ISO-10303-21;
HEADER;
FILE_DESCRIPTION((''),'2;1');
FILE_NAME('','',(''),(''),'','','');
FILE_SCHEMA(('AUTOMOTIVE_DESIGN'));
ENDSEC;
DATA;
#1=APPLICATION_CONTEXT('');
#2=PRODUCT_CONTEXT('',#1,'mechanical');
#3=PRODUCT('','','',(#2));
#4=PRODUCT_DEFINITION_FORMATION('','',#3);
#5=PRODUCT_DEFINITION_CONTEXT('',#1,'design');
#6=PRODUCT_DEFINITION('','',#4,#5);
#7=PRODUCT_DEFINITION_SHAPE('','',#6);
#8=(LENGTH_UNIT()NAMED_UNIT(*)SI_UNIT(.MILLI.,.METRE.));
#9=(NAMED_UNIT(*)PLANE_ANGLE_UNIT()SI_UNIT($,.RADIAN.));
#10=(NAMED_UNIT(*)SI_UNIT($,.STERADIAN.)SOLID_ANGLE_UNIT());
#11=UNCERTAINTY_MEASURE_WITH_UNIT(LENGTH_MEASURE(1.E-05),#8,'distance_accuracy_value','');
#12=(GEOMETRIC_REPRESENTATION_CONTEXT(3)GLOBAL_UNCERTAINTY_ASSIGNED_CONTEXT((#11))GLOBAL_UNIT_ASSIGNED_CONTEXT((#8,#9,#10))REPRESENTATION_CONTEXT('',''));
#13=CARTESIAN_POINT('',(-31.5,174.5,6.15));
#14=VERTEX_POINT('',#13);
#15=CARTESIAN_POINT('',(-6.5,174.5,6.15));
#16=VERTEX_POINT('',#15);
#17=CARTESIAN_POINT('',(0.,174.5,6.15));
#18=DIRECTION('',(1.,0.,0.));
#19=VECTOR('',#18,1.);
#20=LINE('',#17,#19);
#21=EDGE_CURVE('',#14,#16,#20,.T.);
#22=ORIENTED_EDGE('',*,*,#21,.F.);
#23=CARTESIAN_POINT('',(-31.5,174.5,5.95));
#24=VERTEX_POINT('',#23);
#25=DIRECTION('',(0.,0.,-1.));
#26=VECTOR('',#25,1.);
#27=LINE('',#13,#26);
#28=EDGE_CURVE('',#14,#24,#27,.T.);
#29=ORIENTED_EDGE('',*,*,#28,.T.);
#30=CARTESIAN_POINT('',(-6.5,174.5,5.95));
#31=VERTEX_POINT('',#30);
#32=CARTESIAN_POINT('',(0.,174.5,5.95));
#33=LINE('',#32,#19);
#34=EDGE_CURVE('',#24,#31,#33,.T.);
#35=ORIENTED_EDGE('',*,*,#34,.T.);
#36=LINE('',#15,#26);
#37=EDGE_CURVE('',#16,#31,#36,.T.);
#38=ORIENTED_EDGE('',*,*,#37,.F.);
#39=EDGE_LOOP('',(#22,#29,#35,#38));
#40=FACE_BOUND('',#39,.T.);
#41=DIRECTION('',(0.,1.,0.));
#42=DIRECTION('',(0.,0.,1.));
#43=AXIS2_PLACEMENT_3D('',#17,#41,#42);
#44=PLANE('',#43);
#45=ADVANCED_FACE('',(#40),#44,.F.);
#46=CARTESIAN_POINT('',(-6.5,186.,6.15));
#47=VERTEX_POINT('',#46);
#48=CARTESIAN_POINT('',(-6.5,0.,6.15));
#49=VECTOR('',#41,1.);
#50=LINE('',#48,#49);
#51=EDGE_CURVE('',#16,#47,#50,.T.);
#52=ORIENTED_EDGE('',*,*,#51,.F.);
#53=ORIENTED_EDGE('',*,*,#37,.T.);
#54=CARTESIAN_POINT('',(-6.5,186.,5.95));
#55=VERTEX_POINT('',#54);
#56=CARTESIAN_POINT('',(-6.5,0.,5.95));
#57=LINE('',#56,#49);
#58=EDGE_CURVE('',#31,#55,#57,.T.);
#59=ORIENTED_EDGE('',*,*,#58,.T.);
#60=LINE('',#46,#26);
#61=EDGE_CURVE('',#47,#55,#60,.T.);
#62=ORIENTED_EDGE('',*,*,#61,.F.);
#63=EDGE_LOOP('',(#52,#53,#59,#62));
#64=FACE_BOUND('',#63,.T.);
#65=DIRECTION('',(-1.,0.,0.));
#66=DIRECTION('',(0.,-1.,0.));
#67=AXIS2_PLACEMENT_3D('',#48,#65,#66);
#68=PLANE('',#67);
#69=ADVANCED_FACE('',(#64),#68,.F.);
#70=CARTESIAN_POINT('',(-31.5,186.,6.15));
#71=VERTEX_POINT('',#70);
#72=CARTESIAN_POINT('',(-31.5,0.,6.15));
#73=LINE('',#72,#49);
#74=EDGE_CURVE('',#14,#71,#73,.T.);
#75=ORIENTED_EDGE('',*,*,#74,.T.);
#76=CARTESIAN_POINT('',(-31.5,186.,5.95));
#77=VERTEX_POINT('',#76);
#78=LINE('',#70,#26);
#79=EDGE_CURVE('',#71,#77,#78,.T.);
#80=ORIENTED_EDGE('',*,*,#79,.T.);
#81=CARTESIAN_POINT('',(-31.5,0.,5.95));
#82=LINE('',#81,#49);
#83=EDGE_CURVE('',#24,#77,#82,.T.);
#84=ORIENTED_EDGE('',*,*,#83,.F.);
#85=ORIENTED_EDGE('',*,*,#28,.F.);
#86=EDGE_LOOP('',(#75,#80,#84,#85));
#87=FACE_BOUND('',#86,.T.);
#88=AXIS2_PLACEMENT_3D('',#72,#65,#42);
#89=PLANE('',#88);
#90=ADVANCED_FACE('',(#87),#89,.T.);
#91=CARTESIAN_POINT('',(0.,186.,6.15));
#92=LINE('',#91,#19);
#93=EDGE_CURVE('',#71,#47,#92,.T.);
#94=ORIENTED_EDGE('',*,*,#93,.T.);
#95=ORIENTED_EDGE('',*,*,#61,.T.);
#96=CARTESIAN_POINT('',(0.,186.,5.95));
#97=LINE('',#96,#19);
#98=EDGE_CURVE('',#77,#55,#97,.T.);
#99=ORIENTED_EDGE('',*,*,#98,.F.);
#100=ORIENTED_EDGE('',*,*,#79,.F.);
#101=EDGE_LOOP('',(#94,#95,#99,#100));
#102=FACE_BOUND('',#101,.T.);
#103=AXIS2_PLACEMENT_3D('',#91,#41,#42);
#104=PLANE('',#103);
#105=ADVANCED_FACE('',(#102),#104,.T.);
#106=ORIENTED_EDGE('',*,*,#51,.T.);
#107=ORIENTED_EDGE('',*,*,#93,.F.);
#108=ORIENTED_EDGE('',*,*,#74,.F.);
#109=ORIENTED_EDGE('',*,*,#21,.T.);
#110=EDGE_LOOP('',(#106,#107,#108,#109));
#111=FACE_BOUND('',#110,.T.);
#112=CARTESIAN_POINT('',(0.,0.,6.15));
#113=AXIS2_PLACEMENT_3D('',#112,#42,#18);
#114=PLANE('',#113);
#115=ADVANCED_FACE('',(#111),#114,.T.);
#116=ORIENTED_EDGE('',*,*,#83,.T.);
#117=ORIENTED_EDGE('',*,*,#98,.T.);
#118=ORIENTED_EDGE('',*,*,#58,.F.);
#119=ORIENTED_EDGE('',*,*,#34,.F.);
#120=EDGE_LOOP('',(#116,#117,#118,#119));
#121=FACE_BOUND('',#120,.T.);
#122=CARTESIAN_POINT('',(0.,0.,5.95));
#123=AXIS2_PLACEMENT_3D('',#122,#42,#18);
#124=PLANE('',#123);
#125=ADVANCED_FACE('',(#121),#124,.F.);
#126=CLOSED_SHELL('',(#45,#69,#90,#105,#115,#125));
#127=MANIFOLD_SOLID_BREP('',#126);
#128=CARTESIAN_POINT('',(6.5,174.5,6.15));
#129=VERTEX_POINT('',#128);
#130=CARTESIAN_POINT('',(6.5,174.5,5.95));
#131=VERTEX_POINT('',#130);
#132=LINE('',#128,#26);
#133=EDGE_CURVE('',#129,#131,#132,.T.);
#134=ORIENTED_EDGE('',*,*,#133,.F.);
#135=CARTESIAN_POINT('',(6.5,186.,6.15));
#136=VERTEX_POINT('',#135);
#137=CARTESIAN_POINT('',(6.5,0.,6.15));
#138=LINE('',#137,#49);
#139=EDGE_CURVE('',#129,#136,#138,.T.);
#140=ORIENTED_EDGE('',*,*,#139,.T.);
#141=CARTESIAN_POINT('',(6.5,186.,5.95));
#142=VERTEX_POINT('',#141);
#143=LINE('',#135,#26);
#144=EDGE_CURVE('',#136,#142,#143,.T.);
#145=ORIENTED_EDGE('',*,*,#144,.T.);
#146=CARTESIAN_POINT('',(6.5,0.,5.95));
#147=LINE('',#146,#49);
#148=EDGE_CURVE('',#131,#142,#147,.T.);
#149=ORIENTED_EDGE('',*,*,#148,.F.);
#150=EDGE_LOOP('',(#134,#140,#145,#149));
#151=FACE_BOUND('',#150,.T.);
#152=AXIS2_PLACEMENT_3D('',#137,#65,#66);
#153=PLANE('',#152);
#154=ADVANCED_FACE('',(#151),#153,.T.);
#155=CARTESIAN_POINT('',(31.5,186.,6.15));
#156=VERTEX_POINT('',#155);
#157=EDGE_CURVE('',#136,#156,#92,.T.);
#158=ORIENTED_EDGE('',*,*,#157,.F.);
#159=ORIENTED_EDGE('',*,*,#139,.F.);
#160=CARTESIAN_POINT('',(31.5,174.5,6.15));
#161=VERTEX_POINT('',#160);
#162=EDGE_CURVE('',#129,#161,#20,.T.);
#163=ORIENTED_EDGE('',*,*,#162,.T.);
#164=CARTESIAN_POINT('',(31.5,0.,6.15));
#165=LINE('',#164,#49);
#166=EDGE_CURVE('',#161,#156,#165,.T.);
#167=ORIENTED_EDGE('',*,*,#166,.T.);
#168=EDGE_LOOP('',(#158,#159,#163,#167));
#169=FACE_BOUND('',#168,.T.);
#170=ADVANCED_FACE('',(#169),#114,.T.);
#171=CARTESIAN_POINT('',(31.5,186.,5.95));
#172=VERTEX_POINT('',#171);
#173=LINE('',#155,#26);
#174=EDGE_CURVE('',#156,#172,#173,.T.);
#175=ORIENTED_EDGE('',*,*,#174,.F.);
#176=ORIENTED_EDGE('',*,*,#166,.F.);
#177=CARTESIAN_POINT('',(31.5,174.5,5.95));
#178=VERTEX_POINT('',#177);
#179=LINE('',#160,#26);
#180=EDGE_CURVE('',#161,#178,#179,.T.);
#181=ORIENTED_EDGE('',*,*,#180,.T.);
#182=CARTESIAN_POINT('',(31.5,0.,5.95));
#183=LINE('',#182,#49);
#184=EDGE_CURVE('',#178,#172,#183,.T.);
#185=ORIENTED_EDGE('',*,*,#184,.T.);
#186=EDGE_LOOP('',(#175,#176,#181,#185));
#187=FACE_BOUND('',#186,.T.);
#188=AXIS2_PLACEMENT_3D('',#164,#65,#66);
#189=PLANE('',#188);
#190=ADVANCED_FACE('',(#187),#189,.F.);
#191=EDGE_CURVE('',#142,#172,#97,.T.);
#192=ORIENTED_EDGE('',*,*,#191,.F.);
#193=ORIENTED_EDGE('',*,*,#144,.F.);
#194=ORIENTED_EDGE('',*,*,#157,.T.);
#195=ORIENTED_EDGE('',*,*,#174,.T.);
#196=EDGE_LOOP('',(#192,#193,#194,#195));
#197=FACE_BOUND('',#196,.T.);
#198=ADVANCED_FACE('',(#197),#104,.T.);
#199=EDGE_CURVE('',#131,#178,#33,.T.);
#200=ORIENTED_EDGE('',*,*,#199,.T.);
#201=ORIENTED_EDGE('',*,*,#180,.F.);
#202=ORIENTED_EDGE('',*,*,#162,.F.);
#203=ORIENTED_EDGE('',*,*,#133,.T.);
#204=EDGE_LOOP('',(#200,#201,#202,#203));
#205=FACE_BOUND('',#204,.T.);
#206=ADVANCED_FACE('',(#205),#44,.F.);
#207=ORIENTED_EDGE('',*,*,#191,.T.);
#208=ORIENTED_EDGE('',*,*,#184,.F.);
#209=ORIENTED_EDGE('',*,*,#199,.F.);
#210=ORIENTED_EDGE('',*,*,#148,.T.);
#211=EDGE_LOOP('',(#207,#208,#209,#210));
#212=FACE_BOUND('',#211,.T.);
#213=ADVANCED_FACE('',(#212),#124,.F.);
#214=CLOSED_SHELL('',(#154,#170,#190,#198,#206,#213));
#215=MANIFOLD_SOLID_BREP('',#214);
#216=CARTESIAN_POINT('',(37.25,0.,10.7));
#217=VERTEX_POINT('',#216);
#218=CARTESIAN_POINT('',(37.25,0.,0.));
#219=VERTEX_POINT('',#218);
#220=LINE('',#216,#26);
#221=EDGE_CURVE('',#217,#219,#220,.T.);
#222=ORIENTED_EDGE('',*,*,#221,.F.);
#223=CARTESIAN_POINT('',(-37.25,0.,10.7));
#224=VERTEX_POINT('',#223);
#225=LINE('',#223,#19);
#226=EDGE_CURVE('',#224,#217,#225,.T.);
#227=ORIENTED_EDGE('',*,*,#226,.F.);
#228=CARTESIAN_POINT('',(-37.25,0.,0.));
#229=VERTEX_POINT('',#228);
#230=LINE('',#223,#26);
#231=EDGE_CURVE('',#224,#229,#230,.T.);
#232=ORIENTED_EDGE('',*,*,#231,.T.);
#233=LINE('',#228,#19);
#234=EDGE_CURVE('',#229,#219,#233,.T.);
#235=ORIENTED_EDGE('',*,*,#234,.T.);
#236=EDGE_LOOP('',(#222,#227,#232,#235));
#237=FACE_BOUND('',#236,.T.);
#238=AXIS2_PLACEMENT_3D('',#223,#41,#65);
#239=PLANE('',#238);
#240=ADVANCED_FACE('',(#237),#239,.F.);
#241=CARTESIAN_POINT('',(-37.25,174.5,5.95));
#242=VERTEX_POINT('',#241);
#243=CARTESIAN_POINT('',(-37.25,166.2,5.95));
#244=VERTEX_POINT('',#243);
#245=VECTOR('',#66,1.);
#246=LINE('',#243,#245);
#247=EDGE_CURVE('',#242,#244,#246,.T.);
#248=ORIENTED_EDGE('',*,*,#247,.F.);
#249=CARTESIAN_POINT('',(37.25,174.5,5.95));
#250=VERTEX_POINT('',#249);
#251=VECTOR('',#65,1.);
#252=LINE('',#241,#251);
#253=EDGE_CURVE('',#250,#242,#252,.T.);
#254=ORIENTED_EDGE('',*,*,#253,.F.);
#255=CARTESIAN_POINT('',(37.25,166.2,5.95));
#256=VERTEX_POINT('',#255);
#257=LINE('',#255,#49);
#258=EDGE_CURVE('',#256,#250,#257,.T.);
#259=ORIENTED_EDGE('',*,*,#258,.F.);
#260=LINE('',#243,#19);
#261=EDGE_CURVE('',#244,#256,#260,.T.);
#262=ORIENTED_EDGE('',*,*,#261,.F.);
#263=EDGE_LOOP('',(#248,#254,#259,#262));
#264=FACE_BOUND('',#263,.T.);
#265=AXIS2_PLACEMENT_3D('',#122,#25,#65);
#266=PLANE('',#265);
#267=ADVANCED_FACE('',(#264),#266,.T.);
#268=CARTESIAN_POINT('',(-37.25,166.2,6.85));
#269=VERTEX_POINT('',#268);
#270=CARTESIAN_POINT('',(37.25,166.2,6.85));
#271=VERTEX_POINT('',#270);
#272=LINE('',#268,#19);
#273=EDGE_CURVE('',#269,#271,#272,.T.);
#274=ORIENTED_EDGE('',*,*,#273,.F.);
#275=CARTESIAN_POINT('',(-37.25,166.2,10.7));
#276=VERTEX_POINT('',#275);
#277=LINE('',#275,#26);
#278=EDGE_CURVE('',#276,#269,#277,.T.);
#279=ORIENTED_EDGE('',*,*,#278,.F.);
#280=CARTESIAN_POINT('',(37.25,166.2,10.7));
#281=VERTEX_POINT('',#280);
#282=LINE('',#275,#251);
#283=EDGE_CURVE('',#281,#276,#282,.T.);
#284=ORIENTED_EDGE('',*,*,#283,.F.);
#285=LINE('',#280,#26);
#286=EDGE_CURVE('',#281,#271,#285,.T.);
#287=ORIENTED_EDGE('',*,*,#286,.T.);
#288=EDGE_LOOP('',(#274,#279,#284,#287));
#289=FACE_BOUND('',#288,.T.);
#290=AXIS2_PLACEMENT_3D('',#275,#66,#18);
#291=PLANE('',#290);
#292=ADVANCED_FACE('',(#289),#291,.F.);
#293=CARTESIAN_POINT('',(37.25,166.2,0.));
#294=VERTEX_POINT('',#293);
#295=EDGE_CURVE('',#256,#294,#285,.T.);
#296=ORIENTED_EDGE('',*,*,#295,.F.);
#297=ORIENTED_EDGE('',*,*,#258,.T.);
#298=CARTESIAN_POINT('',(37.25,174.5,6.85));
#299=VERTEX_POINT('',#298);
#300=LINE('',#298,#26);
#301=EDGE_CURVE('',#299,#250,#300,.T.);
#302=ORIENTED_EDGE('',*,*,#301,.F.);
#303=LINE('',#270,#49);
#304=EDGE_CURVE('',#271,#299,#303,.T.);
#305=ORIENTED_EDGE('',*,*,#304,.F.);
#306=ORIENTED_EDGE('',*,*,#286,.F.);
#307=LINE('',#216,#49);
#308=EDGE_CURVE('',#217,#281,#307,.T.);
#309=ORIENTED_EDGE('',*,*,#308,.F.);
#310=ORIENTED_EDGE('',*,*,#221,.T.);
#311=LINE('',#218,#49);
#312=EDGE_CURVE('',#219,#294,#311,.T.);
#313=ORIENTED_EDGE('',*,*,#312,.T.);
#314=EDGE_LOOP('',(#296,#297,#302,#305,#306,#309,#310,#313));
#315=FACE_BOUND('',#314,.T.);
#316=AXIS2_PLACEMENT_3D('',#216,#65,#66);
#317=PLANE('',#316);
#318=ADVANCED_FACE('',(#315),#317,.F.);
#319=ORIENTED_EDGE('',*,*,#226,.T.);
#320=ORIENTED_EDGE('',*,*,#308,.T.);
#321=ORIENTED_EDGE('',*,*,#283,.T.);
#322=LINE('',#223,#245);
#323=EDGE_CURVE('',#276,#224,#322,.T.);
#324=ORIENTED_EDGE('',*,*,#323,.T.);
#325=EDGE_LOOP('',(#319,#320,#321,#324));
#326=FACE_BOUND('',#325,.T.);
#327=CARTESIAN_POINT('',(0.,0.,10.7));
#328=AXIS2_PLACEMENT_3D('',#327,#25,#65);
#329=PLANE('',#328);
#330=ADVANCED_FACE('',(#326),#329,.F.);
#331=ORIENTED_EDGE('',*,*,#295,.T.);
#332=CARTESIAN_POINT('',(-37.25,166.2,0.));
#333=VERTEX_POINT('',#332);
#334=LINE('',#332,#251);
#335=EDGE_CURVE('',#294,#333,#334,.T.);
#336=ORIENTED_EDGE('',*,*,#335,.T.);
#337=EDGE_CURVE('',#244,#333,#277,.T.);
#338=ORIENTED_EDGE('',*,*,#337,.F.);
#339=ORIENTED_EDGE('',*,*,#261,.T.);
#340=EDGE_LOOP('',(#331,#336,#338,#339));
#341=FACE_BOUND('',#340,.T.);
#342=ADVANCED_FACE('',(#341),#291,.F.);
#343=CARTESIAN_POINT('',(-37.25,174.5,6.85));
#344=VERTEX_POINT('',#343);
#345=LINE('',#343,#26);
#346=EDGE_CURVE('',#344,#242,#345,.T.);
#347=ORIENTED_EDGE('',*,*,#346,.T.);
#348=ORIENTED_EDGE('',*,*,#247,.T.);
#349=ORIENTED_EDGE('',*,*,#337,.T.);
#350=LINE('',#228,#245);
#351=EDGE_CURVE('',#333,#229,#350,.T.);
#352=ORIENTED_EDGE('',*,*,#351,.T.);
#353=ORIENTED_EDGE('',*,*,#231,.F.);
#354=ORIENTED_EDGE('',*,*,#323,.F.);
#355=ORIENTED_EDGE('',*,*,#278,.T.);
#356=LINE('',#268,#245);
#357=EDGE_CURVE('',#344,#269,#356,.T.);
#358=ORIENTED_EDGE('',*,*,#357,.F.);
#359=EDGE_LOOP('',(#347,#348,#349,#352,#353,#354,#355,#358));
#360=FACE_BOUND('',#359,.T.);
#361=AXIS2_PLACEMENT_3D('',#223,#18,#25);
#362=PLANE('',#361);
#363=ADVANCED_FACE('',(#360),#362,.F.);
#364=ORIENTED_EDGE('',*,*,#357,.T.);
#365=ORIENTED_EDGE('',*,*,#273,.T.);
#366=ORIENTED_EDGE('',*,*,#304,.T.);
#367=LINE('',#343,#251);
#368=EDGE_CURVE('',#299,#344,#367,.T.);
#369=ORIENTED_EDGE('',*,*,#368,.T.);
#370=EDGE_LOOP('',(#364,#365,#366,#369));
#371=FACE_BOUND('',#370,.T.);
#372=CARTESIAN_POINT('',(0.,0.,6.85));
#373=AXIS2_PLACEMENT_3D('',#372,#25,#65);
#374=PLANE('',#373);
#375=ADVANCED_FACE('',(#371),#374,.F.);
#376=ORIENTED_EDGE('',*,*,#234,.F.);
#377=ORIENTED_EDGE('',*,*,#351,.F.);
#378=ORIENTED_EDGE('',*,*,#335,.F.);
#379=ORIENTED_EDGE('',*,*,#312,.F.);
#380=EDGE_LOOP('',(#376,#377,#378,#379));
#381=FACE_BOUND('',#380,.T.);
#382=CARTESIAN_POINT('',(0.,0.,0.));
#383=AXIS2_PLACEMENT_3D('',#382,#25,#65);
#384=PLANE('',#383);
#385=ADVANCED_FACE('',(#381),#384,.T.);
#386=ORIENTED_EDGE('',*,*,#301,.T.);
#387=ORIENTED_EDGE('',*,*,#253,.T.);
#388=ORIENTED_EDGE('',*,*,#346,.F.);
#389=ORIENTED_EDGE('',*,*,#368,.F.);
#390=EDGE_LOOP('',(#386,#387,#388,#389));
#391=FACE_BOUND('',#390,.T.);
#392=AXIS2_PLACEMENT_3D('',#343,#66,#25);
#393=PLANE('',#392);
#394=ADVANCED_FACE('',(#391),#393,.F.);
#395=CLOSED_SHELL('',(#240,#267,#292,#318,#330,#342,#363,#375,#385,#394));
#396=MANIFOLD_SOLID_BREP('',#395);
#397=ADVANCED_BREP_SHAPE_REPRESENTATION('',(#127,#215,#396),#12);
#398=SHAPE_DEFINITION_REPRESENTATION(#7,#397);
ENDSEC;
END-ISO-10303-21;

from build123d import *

# Parameters (mm, degrees)
SKETCH1_W           = 74.5
SKETCH1_H           = 166.2
BOSS_EXTRUDE1_DEPTH = 10.7
SKETCH2_W           = 74.5
SKETCH2_H           = 8.3
BOSS_EXTRUDE2_DEPTH = 0.9
SKETCH3_W           = 25
SKETCH3_H           = 11.5
BOSS_EXTRUDE3_DEPTH = 0.2
SKETCH3_3_W         = 25
SKETCH3_3_H         = 11.5
BOSS_EXTRUDE4_DEPTH = 0.2


with BuildPart() as part:
    # Sketch1 → Boss-Extrude1 (new body)
    with BuildSketch(Plane.XY):
        with Locations((0, 83.1)):
            Rectangle(SKETCH1_W, SKETCH1_H)
    extrude(amount=BOSS_EXTRUDE1_DEPTH)

    # Sketch2 → Boss-Extrude2 (add)
    with BuildSketch(Plane.XY.offset(5.95)):
        with Locations((0, 170.35)):
            Rectangle(SKETCH2_W, SKETCH2_H)
    extrude(amount=BOSS_EXTRUDE2_DEPTH)


with BuildPart() as body_2:
    # Sketch3 → Boss-Extrude3 (new body)
    with BuildSketch(Plane.XY.offset(5.95)):
        with Locations((-19, 180.25)):
            Rectangle(SKETCH3_W, SKETCH3_H)
    extrude(amount=BOSS_EXTRUDE3_DEPTH)


with BuildPart() as body_3:
    # Sketch3<3> → Boss-Extrude4 (new body)
    with BuildSketch(Plane.XY.offset(5.95)):
        with Locations((19, 180.25)):
            Rectangle(SKETCH3_3_W, SKETCH3_3_H)
    extrude(amount=BOSS_EXTRUDE4_DEPTH)


solid = Compound([part.part, body_2.part, body_3.part])
